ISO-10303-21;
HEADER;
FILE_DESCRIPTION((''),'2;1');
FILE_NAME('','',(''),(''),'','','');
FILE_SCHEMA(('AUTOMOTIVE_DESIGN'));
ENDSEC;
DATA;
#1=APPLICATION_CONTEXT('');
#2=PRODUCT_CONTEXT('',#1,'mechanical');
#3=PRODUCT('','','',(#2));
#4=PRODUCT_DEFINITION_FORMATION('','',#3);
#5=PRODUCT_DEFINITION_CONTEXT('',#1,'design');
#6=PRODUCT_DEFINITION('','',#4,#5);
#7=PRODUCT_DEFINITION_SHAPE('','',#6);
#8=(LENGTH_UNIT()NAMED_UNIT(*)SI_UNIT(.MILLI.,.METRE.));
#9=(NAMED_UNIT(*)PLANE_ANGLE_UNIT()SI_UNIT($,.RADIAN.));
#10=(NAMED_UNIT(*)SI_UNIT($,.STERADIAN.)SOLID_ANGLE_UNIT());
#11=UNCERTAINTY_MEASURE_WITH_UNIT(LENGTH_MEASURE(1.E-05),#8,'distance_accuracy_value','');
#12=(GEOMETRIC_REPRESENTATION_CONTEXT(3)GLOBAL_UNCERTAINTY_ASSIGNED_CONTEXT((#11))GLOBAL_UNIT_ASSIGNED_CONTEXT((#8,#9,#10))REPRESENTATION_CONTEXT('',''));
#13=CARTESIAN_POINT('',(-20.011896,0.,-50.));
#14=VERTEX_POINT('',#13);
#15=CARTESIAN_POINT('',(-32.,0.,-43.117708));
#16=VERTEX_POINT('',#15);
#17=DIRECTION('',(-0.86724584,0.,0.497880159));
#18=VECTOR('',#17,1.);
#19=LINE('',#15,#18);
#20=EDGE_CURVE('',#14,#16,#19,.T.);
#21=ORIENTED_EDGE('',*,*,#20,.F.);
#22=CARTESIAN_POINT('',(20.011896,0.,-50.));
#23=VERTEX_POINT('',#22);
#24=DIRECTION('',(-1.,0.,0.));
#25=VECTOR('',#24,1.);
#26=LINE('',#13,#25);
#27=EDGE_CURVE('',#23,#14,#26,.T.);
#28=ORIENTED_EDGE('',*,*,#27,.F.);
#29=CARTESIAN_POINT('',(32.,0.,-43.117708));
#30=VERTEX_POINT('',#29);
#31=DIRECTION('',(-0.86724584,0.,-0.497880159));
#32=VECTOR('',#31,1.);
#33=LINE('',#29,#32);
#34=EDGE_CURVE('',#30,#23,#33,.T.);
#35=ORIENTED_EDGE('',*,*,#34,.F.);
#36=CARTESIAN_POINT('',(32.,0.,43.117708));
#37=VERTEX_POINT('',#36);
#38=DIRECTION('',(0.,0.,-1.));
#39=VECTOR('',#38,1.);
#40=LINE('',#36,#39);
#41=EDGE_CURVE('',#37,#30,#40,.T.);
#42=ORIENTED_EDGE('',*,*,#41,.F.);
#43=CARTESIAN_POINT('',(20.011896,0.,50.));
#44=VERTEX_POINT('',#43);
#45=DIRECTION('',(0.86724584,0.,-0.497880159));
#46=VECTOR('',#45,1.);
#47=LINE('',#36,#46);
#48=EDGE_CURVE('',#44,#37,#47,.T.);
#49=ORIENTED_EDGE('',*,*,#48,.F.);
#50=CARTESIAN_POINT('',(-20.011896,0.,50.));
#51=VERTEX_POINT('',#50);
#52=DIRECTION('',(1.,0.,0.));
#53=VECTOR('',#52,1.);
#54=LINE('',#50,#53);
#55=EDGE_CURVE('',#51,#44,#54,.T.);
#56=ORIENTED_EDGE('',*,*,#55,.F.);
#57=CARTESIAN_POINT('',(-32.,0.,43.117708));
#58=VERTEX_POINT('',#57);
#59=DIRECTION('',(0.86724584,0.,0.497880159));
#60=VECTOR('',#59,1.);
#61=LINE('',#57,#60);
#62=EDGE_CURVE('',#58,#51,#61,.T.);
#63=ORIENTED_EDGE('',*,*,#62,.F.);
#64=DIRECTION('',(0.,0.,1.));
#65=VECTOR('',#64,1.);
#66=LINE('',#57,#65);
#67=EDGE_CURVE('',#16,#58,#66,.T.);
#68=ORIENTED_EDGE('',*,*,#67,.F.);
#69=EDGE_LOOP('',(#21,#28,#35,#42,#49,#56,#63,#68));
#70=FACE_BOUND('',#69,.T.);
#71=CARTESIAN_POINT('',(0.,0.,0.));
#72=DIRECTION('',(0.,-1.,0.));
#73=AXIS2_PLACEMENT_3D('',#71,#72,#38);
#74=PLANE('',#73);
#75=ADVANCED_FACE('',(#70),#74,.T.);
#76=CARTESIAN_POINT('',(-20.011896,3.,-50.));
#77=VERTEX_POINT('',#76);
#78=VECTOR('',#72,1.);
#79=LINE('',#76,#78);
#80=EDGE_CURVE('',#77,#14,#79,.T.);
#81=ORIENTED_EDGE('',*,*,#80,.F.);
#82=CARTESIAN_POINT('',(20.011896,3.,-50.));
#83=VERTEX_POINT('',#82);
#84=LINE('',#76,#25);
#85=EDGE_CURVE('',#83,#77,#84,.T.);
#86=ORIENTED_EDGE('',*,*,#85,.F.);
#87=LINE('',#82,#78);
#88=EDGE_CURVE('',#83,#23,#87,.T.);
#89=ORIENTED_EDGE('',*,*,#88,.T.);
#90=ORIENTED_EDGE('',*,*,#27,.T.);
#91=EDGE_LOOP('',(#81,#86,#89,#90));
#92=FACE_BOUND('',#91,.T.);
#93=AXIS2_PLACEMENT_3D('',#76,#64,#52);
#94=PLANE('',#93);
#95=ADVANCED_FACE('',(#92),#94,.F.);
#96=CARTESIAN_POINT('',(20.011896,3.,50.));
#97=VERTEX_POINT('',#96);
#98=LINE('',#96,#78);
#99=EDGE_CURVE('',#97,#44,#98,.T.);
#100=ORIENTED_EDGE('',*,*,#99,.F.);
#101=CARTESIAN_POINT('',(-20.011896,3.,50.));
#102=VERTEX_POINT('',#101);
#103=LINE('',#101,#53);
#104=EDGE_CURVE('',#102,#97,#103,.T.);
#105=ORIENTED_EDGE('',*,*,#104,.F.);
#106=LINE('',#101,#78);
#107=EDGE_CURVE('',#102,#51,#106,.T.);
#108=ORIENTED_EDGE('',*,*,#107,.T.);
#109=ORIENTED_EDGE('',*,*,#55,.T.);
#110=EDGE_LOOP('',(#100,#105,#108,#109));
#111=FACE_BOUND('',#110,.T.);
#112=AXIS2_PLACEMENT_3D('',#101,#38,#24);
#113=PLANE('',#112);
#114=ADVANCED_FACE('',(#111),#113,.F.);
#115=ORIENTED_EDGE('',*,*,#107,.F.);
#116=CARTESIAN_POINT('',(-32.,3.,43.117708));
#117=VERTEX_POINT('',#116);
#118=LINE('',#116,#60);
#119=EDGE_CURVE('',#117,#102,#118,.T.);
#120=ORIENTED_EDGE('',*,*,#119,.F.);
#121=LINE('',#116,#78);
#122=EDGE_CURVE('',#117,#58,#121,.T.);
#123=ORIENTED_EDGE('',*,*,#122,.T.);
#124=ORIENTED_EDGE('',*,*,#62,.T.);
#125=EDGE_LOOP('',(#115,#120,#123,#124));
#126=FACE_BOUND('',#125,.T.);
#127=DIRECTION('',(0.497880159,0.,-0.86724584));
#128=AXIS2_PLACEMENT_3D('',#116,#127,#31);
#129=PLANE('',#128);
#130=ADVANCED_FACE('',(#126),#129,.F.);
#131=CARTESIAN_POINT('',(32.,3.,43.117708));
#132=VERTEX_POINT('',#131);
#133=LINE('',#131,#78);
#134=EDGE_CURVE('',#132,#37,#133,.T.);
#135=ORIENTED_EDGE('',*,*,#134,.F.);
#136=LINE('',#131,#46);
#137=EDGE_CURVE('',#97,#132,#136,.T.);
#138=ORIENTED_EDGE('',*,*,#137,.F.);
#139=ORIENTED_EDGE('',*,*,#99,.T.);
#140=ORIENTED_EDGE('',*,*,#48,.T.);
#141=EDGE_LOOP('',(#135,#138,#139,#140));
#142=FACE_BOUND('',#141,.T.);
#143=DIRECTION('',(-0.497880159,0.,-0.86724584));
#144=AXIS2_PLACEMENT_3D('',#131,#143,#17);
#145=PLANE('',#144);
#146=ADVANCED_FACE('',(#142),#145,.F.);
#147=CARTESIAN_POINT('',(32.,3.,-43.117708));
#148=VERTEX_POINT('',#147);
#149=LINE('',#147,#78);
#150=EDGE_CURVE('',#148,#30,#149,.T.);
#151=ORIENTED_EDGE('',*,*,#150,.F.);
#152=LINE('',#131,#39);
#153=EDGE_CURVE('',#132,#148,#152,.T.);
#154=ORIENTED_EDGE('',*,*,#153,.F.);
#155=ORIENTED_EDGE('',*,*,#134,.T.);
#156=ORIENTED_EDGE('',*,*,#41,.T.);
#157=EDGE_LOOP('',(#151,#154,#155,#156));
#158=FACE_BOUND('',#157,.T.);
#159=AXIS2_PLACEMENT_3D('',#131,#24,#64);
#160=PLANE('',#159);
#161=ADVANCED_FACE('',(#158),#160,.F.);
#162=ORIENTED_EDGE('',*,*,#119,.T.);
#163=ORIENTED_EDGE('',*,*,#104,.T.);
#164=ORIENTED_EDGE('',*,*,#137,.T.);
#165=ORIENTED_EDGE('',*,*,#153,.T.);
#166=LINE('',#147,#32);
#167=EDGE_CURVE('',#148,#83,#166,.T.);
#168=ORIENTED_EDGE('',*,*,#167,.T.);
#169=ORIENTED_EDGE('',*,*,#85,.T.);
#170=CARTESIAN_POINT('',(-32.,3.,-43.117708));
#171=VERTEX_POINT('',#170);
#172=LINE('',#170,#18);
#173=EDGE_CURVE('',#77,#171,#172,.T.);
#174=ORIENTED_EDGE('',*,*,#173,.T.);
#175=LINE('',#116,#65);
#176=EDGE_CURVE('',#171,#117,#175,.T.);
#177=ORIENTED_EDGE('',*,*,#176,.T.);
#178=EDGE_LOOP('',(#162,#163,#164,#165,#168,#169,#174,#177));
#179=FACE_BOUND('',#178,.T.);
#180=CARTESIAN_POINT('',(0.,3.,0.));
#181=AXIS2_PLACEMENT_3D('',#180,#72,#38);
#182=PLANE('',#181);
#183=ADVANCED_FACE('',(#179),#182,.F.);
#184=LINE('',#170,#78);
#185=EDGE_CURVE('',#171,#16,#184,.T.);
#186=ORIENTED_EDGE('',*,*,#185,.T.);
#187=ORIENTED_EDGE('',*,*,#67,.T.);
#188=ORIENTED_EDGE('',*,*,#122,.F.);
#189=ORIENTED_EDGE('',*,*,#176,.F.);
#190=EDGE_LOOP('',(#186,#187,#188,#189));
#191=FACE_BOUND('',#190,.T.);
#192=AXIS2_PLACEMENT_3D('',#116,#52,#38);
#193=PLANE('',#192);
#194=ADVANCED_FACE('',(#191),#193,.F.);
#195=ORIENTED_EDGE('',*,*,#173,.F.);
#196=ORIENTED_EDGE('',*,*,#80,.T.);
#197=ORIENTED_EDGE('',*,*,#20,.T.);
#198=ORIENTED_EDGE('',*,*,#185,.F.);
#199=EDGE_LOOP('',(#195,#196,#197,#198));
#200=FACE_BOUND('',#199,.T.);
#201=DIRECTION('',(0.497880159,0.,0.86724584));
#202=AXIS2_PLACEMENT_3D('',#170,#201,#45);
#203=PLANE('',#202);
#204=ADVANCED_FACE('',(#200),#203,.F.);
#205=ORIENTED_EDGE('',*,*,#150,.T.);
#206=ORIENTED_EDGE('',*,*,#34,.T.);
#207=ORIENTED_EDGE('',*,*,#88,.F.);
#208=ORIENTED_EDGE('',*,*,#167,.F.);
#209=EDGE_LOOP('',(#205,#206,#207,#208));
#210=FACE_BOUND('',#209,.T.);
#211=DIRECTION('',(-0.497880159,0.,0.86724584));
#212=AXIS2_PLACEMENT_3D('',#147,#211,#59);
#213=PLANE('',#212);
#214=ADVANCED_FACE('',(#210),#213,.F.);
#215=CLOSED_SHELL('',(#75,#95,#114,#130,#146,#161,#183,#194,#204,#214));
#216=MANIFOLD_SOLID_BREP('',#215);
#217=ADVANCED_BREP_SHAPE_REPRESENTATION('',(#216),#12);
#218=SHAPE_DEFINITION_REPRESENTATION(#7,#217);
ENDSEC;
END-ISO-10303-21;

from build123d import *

# Parameters (mm, degrees)
BOSS_EXTRUDE1_DEPTH = 3


with BuildPart() as part:
    # Sketch1 → Boss-Extrude1 (new body)
    with BuildSketch(Plane(origin=(0, 0, 0), x_dir=(1, 0, 0), z_dir=(0, 1, 0))):
        Polygon((-32, -43.117707706), (-20.011895516, -50), (20.011895516, -50), (32, -43.117707706), (32, 43.117707706), (20.011895516, 50), (-20.011895516, 50), (-32, 43.117707706), align=None)
    extrude(amount=BOSS_EXTRUDE1_DEPTH)


solid = part.part
